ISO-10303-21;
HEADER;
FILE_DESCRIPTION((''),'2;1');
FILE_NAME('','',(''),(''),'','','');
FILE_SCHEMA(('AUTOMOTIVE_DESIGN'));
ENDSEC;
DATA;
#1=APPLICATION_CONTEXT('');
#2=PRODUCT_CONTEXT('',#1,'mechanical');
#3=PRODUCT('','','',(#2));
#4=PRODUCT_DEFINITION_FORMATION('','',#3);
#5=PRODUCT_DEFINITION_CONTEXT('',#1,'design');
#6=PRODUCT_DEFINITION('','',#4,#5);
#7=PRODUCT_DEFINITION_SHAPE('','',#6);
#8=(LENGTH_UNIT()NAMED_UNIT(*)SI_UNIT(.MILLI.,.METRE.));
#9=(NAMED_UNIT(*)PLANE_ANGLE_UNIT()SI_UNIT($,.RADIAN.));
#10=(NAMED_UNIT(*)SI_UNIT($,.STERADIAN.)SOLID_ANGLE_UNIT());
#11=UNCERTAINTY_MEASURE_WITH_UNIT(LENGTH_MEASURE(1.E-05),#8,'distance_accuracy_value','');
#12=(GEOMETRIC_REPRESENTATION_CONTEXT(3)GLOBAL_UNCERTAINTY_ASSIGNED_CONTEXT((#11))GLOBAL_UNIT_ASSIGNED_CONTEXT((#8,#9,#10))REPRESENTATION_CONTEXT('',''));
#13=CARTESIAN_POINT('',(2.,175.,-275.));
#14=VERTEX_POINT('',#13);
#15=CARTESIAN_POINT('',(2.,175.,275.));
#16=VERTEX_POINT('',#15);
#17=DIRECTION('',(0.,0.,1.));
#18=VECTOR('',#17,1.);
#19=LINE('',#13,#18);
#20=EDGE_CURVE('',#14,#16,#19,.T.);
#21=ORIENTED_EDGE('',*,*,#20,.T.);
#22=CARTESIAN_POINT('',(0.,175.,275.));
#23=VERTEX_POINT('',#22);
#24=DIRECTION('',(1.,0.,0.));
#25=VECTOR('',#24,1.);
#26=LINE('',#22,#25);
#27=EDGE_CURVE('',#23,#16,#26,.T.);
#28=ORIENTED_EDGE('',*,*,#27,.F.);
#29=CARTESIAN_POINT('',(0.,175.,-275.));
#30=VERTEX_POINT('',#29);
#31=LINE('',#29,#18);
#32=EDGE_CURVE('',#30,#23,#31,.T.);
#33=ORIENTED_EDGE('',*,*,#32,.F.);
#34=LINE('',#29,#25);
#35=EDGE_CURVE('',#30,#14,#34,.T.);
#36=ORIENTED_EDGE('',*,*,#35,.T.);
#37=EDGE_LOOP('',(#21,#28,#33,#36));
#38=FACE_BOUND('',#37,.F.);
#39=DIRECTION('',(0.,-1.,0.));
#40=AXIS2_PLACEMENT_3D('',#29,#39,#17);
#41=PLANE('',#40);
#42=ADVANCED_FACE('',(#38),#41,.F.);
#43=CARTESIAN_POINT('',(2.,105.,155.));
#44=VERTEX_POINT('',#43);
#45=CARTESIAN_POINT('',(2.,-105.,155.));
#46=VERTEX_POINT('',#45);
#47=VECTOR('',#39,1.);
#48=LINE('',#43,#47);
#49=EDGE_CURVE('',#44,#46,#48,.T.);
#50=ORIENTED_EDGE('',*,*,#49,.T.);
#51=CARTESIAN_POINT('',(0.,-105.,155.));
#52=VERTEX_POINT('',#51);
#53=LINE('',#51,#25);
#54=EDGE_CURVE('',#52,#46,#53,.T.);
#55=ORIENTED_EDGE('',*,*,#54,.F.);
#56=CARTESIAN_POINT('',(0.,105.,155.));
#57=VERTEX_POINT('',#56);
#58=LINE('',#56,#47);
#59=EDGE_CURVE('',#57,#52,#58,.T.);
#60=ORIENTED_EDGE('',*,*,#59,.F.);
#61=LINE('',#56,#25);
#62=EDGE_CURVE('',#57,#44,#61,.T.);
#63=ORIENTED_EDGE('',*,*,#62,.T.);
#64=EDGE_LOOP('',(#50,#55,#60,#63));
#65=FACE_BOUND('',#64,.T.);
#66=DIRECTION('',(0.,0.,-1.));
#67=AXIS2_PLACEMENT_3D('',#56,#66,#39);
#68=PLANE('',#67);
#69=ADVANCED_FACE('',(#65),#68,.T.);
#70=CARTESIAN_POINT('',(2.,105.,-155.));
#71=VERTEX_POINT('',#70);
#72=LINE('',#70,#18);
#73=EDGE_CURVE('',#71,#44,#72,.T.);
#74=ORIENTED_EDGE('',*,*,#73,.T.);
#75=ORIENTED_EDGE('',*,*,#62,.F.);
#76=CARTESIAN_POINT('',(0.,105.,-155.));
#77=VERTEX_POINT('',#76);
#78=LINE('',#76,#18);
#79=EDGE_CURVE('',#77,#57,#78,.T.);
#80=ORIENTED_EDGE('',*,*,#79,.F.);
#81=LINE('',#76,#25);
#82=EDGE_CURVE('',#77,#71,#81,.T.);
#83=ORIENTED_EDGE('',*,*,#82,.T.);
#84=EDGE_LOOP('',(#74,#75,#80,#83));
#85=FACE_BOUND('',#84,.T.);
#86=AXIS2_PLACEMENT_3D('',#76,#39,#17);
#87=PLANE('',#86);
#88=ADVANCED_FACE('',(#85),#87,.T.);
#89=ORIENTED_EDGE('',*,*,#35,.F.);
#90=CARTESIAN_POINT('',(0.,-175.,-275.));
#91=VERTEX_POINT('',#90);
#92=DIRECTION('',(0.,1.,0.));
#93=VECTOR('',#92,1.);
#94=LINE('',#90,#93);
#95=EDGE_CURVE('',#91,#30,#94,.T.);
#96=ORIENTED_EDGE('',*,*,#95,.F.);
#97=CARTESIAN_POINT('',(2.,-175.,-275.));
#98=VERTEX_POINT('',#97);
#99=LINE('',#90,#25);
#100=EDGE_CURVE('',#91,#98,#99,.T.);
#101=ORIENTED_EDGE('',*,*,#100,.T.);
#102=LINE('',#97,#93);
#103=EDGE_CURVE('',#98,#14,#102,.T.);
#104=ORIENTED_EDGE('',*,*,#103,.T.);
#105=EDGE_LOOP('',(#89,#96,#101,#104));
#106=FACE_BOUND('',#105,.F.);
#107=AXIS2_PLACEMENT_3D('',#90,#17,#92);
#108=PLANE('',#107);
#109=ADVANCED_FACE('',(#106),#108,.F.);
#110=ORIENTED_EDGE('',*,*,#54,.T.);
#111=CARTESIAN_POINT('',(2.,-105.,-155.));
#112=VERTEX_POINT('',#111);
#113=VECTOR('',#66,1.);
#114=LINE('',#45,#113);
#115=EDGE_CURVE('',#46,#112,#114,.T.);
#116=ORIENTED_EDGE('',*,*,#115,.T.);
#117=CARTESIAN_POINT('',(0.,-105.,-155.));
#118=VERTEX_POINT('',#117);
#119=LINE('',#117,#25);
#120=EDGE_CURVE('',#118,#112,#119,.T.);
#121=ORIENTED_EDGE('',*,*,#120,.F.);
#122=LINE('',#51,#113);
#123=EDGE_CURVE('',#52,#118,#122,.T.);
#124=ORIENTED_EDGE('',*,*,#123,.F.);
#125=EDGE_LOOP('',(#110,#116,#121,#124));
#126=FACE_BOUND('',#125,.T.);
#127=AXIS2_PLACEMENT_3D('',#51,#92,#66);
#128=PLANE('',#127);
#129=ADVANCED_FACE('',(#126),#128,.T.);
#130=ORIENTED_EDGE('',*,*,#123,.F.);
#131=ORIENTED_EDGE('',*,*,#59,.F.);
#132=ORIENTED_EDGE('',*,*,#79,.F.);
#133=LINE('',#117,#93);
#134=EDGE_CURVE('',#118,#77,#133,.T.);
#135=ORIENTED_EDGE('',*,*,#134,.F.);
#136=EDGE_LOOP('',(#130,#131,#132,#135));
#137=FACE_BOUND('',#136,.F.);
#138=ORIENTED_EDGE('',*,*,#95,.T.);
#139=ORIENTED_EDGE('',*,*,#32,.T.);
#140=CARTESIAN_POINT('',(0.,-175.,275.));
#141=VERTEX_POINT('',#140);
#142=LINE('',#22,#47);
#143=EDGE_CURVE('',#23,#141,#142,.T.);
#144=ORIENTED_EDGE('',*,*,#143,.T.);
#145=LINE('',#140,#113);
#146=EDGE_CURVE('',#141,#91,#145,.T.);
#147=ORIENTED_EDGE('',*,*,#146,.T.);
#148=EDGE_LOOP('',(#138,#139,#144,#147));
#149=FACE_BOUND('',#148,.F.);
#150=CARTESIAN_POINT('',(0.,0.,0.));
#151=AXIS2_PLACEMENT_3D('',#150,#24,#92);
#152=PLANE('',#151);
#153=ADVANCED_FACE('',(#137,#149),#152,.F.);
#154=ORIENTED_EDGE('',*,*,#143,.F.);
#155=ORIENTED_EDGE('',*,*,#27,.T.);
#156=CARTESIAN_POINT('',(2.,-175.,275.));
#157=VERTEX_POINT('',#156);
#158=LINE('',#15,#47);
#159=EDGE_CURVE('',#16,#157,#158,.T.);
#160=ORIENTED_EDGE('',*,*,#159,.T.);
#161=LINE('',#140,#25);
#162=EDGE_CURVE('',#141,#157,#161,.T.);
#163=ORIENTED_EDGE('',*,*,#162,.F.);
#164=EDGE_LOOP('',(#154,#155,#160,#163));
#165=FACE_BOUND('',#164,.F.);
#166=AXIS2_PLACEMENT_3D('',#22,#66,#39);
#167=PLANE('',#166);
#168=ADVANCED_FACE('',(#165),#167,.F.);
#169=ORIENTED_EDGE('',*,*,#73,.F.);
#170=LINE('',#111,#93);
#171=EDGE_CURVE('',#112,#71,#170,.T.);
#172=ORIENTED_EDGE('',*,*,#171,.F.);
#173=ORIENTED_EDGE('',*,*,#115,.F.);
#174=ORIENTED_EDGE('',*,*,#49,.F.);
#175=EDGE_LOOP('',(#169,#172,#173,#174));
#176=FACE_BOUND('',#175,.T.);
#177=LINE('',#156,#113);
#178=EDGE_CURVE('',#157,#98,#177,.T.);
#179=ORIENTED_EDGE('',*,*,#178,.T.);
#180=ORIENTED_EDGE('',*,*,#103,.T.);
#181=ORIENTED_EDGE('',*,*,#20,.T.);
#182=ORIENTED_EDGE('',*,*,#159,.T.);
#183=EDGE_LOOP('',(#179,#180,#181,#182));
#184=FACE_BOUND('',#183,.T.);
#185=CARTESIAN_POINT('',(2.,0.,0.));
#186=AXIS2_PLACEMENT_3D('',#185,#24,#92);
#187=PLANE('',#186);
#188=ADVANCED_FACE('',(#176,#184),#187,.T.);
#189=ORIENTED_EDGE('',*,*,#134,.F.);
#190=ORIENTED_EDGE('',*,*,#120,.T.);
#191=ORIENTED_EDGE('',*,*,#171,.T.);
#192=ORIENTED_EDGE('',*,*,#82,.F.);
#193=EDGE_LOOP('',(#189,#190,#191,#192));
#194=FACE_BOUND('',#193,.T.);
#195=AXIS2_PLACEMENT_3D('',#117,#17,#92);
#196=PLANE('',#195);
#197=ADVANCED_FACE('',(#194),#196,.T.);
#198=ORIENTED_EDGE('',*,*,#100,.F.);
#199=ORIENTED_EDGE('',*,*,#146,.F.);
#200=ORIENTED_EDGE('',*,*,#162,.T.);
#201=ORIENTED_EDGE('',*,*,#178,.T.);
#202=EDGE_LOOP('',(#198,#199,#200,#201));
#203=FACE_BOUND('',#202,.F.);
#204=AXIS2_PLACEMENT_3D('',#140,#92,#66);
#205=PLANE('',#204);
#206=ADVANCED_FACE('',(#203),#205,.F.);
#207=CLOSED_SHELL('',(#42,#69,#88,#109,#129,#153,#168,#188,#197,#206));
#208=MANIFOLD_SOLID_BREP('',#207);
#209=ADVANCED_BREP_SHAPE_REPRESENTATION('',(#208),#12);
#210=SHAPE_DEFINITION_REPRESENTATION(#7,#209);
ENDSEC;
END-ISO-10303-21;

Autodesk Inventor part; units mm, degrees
ref_plane "YZ Plane" through (0, 0, 0) normal (1, 0, 0) x (0, 1, 0)
ref_plane "XZ Plane" through (0, 0, 0) normal (0, 1, 0) x (-1, 0, 0)
ref_plane "XY Plane" through (0, 0, 0) normal (0, 0, 1) x (1, 0, 0)
sketch "Boceto1" plane through (0, 0, 0) normal (1, 0, 0) x (0, 1, 0)
  line L0 (-175, -275) -> (175, -275)
  line L1 (175, -275) -> (175, 275)
  line L2 (175, 275) -> (-175, 275)
  line L3 (-175, 275) -> (-175, -275)
  line L4 (-175, -275) -> (175, 275) construction
  line L5 (175, -275) -> (-175, 275) construction
  line L6 (-105, -155) -> (105, -155)
  line L7 (105, -155) -> (105, 155)
  line L8 (105, 155) -> (-105, 155)
  line L9 (-105, 155) -> (-105, -155)
  line L10 (-105, -155) -> (105, 155) construction
  line L11 (105, -155) -> (-105, 155) construction
  point P0 (0, 0)
  dimension "d0" = 350
  dimension "d1" = 550
  dimension "d2" = 210
  dimension "d3" = 310
extrude "Extrusión1" add sketch "Boceto1" along normal blind 2
